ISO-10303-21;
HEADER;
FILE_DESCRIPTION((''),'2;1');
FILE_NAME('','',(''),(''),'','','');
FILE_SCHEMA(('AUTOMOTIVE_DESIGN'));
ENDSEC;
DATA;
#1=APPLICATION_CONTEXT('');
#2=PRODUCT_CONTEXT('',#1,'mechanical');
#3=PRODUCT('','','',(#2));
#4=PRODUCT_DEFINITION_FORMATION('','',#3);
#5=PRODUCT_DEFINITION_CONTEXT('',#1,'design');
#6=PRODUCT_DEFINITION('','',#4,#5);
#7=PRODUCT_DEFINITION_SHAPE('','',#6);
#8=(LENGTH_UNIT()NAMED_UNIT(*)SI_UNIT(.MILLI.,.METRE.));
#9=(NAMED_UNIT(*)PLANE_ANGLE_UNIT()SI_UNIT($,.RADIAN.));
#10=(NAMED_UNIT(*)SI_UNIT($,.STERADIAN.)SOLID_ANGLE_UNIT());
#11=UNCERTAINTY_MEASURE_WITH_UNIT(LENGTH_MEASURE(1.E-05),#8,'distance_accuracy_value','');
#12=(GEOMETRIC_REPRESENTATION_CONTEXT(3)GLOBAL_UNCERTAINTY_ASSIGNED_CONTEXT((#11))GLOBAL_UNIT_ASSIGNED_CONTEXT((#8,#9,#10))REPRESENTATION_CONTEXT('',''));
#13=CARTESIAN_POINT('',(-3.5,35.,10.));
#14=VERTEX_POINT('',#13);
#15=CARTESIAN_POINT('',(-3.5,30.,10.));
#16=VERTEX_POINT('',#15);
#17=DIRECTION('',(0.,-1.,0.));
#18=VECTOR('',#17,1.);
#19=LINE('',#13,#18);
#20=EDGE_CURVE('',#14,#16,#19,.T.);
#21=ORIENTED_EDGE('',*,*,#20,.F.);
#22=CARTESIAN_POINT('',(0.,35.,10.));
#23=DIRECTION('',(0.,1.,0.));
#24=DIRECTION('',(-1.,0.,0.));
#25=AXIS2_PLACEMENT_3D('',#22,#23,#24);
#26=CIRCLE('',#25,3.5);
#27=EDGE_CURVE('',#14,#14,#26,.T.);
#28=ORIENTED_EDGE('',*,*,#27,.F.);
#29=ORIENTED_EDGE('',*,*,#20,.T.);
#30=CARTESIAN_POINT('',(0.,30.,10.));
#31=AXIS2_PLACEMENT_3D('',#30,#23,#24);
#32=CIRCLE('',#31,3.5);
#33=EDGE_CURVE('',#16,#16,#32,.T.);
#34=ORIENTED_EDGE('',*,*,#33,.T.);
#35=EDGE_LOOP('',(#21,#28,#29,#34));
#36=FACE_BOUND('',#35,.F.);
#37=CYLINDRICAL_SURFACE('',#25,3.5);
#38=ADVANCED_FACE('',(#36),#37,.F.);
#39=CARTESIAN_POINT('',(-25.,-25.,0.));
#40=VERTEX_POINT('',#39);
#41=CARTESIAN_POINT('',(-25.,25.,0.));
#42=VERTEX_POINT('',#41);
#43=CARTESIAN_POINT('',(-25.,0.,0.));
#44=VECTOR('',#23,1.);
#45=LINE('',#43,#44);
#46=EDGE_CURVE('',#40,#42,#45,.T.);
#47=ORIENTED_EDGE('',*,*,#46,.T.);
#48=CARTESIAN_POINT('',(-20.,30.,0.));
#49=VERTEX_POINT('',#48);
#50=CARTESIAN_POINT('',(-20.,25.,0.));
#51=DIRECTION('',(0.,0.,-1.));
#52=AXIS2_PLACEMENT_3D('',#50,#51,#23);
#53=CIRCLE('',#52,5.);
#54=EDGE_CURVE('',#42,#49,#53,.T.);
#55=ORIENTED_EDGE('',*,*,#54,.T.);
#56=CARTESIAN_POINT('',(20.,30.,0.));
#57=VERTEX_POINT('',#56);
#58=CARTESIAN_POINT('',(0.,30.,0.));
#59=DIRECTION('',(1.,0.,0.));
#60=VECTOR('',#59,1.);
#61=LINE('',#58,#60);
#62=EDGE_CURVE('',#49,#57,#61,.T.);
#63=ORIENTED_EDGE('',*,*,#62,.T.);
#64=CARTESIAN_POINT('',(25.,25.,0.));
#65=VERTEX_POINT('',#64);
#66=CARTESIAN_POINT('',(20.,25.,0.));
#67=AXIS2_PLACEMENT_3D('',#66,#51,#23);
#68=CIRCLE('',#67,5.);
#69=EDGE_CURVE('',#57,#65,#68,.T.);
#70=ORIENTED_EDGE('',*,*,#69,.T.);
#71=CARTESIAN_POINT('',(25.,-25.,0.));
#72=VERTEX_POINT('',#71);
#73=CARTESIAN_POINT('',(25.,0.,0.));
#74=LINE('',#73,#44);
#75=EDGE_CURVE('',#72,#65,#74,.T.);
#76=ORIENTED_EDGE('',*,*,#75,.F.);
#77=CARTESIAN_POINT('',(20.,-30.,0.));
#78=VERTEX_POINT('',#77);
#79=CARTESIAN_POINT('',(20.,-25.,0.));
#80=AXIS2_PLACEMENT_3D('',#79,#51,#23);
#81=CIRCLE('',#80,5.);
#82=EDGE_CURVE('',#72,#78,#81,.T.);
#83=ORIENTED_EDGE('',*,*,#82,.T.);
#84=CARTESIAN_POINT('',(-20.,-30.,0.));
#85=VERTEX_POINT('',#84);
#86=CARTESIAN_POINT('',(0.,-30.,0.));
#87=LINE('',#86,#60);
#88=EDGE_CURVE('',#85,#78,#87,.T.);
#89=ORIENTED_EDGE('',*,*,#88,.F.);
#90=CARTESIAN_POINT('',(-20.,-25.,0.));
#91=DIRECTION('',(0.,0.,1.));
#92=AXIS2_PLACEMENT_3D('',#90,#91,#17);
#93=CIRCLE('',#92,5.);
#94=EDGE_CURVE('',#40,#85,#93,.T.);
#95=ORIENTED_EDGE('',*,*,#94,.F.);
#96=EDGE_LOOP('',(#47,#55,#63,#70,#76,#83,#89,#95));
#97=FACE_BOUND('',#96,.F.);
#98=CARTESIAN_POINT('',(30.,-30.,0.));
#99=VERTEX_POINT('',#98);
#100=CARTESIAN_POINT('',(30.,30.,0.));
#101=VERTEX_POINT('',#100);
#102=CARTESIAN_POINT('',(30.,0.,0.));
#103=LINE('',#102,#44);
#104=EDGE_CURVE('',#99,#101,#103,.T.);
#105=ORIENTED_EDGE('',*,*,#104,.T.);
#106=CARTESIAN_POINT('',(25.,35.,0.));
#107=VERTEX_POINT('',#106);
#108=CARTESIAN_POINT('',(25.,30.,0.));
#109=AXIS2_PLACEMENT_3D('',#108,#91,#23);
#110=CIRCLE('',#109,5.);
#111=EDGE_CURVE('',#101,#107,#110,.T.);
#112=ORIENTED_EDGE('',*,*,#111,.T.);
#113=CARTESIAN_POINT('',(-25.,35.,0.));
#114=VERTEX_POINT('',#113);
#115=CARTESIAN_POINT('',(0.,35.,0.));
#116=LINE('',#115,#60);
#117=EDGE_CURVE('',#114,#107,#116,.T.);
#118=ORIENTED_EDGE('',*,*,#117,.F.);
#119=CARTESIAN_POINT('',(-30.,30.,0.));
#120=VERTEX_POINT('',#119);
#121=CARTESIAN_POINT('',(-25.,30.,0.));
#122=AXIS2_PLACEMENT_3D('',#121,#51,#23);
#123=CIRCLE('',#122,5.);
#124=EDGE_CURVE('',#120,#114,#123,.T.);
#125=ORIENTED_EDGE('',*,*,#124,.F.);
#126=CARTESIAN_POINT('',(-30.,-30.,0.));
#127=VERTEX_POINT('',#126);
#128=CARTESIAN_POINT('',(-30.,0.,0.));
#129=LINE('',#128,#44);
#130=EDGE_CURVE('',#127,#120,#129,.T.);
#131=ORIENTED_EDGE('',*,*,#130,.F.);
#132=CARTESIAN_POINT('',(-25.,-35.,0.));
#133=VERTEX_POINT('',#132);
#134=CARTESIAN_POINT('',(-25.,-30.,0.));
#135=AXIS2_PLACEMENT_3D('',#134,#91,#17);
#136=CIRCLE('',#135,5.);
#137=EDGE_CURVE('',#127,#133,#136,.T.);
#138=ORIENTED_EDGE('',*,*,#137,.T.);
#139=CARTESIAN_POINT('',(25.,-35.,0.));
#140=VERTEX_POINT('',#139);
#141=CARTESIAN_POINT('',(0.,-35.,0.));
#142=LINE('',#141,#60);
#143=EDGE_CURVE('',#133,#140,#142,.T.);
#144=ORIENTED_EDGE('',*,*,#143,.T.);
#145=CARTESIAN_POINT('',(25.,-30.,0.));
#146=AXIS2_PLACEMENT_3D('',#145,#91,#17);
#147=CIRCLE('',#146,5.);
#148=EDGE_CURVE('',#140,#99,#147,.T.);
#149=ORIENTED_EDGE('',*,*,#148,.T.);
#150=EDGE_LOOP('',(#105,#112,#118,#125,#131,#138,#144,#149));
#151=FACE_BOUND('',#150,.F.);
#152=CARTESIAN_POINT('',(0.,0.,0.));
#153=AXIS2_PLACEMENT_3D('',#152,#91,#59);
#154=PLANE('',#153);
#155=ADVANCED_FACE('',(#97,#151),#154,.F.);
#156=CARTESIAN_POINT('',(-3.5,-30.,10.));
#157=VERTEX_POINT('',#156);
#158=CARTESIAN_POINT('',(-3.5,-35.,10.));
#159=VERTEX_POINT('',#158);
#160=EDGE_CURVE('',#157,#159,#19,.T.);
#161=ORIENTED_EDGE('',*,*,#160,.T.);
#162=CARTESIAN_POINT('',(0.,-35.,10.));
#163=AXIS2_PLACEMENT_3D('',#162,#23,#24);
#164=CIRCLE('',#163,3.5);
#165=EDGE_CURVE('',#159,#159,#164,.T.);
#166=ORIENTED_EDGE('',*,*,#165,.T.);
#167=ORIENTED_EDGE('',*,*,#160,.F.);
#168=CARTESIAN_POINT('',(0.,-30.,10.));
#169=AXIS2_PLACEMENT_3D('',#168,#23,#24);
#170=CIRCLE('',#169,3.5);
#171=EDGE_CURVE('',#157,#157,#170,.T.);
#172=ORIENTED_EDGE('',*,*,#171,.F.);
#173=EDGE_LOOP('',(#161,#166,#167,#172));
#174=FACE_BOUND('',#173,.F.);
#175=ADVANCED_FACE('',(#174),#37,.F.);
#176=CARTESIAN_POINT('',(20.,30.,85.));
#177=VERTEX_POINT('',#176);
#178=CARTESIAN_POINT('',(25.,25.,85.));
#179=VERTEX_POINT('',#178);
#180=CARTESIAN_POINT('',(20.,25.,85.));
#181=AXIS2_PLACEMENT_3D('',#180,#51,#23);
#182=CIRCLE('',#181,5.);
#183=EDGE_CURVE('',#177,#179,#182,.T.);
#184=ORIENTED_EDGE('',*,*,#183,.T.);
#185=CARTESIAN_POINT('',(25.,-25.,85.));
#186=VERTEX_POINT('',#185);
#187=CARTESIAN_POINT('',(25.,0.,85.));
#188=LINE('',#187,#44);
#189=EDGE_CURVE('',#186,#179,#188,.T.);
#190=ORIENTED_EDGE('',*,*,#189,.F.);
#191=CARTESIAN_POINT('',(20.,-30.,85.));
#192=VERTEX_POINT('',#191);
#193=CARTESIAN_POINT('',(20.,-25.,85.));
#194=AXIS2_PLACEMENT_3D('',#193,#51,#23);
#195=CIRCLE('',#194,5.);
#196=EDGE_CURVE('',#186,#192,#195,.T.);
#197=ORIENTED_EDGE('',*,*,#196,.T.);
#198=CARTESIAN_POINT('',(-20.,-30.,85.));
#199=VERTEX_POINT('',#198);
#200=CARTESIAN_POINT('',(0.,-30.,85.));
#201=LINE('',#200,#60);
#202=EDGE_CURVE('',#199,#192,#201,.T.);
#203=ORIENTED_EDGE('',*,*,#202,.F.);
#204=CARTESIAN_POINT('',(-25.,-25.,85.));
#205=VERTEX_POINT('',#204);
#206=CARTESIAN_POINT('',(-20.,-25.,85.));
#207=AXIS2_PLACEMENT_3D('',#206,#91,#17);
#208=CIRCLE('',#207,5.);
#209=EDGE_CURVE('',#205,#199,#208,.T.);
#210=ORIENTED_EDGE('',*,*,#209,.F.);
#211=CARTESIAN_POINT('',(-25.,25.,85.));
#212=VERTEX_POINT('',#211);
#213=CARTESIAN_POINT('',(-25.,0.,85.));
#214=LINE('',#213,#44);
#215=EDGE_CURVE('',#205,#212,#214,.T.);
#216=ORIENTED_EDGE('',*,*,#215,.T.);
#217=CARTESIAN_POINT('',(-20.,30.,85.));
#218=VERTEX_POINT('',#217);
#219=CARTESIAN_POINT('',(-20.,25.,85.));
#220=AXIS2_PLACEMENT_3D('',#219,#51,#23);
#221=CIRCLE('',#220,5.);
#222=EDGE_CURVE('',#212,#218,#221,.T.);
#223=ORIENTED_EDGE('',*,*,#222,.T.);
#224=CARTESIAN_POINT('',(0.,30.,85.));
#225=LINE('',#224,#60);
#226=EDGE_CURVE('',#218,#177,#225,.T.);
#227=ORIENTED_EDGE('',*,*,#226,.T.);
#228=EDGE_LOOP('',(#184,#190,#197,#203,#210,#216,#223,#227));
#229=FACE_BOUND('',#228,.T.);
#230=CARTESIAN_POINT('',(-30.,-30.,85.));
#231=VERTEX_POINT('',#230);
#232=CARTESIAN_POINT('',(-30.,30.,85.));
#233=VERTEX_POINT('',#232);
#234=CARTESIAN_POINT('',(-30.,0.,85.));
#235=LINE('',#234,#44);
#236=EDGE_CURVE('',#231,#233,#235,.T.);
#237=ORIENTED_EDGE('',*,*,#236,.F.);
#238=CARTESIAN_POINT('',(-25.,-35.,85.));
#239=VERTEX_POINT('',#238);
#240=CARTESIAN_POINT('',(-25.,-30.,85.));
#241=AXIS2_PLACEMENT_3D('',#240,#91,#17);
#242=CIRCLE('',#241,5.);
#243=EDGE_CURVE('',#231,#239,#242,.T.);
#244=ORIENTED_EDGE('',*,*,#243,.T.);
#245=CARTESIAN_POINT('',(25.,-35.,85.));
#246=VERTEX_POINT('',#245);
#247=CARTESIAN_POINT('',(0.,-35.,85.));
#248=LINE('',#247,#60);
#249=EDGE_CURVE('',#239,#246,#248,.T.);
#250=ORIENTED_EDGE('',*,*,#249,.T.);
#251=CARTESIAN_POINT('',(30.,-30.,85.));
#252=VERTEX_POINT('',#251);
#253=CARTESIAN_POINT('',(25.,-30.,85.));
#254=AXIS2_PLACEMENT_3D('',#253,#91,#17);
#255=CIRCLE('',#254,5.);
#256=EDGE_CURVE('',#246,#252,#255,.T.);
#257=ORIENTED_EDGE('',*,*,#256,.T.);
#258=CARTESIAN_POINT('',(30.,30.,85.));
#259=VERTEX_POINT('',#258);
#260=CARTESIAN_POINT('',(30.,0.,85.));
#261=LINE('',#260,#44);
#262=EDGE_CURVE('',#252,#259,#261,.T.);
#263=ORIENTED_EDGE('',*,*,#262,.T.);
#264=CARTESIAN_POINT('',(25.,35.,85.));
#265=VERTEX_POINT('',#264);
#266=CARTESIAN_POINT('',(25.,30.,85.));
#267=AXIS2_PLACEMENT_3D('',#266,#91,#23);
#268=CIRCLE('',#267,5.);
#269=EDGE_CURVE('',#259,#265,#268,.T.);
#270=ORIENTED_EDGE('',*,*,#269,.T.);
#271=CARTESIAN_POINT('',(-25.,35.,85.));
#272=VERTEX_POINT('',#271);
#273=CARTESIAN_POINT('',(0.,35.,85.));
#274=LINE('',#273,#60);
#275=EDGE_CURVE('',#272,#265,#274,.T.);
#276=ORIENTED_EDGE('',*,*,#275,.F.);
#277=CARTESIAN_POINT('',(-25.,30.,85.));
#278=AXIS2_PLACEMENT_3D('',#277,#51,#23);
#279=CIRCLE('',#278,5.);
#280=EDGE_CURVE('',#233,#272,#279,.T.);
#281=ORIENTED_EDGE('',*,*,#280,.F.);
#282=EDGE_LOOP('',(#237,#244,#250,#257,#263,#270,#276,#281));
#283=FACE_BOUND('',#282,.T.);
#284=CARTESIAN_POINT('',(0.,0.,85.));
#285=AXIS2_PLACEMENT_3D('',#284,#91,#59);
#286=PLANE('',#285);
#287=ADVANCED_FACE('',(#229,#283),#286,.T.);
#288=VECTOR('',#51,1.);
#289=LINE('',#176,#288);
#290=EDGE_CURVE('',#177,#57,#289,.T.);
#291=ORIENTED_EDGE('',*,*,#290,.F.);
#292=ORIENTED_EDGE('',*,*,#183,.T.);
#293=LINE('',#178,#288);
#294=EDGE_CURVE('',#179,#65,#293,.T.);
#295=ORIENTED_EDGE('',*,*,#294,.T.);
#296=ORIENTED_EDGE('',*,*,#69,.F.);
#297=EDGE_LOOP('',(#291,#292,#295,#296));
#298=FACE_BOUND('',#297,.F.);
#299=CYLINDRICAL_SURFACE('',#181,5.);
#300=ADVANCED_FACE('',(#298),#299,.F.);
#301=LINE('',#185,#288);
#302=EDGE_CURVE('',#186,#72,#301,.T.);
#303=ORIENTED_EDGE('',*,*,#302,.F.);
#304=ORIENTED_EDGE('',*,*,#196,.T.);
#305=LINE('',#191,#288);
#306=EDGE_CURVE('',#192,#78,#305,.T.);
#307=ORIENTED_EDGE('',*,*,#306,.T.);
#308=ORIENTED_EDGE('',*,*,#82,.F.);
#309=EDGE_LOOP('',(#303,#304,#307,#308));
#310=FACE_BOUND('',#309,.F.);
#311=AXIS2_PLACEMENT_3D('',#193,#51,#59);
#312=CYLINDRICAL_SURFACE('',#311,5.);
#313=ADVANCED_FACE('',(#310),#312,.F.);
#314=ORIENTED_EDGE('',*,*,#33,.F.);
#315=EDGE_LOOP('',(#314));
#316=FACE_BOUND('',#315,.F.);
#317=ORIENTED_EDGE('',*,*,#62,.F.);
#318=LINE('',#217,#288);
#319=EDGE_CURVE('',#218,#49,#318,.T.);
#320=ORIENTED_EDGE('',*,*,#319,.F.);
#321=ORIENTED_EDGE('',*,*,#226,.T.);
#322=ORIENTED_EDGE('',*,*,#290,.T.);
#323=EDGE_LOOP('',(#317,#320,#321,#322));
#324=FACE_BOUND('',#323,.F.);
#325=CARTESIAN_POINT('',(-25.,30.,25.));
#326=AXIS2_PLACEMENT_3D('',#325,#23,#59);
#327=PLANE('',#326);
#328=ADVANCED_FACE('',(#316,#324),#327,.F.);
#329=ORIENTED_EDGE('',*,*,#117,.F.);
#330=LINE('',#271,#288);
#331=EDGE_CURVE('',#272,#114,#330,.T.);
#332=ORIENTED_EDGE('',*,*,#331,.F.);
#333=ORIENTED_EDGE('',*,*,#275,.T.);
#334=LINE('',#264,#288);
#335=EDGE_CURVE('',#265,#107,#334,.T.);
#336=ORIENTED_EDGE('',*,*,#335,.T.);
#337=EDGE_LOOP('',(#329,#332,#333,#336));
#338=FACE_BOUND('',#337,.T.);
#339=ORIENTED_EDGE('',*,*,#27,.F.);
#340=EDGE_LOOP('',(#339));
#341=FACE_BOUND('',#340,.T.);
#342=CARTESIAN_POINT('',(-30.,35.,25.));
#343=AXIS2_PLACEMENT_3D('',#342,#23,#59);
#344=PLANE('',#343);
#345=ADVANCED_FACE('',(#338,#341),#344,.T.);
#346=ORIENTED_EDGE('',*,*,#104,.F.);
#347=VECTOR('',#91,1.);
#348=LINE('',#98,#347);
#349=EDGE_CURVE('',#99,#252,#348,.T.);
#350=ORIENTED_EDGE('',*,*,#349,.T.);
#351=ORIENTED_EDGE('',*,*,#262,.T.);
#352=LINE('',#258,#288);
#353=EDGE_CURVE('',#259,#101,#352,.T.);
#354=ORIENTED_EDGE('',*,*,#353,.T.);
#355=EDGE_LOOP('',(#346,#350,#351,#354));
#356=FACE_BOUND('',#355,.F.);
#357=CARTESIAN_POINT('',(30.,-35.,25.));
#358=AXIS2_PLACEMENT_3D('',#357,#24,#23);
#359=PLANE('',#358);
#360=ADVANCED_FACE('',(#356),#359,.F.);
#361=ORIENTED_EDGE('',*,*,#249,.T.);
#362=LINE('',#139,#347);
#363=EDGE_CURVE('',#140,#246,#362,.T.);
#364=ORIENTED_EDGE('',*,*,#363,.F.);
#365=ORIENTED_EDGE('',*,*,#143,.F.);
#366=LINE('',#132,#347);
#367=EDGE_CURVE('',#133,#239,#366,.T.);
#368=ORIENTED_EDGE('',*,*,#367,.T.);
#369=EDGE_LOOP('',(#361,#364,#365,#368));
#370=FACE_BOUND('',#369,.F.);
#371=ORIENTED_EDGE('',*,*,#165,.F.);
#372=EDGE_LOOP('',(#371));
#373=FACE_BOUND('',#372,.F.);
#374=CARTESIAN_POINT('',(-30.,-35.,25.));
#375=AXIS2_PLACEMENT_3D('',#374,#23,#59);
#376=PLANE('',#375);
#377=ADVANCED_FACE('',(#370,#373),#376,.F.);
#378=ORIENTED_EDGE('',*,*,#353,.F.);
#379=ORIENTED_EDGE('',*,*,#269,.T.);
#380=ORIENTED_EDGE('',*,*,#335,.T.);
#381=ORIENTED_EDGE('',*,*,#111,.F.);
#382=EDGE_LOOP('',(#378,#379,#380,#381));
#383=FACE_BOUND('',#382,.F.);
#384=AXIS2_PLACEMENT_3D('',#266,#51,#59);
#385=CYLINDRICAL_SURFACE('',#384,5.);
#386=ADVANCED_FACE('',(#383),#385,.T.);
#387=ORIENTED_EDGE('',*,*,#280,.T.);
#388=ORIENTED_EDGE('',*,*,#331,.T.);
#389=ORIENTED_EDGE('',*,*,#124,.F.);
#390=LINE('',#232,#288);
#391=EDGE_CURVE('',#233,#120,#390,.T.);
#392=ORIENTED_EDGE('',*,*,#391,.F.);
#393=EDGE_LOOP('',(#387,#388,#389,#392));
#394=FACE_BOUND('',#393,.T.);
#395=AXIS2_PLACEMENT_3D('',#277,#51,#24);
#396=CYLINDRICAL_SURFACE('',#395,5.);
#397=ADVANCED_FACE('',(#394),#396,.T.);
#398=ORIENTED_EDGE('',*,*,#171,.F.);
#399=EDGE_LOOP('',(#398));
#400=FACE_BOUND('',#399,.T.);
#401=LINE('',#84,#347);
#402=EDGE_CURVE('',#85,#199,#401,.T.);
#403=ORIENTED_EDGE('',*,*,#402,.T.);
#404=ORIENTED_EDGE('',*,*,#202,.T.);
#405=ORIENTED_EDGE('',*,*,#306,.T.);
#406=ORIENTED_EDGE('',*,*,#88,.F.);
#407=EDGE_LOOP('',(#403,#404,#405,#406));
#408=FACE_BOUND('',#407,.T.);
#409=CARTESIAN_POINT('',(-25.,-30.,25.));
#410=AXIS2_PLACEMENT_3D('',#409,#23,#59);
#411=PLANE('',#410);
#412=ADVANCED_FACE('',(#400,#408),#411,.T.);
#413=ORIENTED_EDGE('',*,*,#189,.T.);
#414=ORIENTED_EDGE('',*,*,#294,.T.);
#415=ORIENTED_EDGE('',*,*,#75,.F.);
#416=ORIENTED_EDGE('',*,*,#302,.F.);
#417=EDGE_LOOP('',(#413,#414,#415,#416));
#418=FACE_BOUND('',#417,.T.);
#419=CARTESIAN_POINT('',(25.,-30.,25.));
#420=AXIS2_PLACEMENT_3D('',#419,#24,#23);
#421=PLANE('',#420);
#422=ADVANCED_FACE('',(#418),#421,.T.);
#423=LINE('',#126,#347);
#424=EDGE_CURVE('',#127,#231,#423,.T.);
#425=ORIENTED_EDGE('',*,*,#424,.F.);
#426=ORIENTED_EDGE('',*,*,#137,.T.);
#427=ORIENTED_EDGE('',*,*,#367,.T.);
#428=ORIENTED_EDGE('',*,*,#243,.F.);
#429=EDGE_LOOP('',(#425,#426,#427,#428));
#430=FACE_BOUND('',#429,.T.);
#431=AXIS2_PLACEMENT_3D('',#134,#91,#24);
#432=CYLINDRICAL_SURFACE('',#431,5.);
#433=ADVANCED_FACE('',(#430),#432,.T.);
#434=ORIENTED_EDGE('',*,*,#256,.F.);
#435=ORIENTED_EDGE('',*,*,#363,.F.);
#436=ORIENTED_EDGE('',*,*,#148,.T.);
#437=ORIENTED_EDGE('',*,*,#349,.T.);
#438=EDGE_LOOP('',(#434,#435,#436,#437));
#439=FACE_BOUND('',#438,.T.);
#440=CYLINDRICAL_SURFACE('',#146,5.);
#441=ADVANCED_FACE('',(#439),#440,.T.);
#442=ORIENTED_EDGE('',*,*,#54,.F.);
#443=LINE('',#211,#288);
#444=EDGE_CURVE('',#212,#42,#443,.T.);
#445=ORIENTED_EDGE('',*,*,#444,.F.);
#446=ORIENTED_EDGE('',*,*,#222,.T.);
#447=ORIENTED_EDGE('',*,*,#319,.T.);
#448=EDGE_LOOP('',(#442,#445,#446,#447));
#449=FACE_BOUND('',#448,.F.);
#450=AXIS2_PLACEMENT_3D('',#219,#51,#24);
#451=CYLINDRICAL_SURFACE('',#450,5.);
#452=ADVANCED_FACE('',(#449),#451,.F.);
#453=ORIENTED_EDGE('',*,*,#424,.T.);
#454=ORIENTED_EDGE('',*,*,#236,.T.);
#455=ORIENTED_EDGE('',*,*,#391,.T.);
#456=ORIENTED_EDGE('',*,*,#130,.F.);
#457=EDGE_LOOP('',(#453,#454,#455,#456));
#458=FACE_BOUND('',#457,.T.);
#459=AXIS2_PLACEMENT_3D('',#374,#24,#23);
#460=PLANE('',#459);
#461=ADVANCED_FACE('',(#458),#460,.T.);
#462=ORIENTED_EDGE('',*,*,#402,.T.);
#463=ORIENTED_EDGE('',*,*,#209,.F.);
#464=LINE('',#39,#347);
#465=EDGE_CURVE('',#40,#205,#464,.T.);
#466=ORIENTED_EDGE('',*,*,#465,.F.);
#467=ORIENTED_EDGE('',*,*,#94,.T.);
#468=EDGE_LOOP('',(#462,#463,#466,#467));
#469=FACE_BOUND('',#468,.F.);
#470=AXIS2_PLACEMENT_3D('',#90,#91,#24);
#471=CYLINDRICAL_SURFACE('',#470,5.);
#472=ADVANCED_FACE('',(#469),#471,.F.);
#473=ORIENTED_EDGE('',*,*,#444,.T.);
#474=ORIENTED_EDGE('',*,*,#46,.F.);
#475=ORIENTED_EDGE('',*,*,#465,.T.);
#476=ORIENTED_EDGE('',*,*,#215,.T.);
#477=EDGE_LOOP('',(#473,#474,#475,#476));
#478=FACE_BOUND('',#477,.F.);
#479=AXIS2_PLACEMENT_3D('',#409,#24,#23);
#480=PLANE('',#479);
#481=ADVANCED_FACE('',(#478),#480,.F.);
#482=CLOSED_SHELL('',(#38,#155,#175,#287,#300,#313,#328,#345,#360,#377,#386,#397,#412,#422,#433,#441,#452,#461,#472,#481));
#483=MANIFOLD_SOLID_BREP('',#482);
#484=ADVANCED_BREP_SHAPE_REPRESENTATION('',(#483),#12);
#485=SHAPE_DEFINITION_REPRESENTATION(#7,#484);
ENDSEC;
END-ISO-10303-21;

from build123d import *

# Parameters (mm, degrees)
F0_W        = 60
F0_H        = 70
F0_W_2      = 50
F0_H_2      = 60
F1_DEPTH    = 25
F1_FACE_W   = 60
F1_FACE_H   = 70
F1_FACE_W_2 = 50
F1_FACE_H_2 = 60
F2_DEPTH    = 60
F3_R        = 5
F4_R        = 3.5
F5_DEPTH    = 70


with BuildPart() as f1:
    # F0 (on Top) → F1 (new body)
    with BuildSketch(Plane.XY):
        Rectangle(F0_W, F0_H)
        Rectangle(F0_W_2, F0_H_2, mode=Mode.SUBTRACT)
    extrude(amount=F1_DEPTH)

    # F1_face (on face) → F2 (join)
    with BuildSketch(Plane.XY.offset(25)):
        Rectangle(F1_FACE_W, F1_FACE_H)
        Rectangle(F1_FACE_W_2, F1_FACE_H_2, mode=Mode.SUBTRACT)
    extrude(amount=F2_DEPTH)

    # F3
    f3_edges = [f1.edges().sort_by_distance(p)[0] for p in [
        (25, 30, 42.5),
        (30, -35, 42.5),
        (-30, -35, 42.5),
        (-30, 35, 42.5),
        (30, 35, 42.5),
        (25, -30, 42.5),
        (-25, 30, 42.5),
        (-25, -30, 42.5),
    ]]
    fillet(f3_edges, radius=F3_R)

    # F4 (on face) → F5 (cut)
    with BuildSketch(Plane(origin=(0, 35, 0), x_dir=(-1, 0, 0), z_dir=(0, 1, 0))):
        with Locations((0, 10)):
            Circle(F4_R)
    extrude(amount=-F5_DEPTH, mode=Mode.SUBTRACT)


solid = f1.part
